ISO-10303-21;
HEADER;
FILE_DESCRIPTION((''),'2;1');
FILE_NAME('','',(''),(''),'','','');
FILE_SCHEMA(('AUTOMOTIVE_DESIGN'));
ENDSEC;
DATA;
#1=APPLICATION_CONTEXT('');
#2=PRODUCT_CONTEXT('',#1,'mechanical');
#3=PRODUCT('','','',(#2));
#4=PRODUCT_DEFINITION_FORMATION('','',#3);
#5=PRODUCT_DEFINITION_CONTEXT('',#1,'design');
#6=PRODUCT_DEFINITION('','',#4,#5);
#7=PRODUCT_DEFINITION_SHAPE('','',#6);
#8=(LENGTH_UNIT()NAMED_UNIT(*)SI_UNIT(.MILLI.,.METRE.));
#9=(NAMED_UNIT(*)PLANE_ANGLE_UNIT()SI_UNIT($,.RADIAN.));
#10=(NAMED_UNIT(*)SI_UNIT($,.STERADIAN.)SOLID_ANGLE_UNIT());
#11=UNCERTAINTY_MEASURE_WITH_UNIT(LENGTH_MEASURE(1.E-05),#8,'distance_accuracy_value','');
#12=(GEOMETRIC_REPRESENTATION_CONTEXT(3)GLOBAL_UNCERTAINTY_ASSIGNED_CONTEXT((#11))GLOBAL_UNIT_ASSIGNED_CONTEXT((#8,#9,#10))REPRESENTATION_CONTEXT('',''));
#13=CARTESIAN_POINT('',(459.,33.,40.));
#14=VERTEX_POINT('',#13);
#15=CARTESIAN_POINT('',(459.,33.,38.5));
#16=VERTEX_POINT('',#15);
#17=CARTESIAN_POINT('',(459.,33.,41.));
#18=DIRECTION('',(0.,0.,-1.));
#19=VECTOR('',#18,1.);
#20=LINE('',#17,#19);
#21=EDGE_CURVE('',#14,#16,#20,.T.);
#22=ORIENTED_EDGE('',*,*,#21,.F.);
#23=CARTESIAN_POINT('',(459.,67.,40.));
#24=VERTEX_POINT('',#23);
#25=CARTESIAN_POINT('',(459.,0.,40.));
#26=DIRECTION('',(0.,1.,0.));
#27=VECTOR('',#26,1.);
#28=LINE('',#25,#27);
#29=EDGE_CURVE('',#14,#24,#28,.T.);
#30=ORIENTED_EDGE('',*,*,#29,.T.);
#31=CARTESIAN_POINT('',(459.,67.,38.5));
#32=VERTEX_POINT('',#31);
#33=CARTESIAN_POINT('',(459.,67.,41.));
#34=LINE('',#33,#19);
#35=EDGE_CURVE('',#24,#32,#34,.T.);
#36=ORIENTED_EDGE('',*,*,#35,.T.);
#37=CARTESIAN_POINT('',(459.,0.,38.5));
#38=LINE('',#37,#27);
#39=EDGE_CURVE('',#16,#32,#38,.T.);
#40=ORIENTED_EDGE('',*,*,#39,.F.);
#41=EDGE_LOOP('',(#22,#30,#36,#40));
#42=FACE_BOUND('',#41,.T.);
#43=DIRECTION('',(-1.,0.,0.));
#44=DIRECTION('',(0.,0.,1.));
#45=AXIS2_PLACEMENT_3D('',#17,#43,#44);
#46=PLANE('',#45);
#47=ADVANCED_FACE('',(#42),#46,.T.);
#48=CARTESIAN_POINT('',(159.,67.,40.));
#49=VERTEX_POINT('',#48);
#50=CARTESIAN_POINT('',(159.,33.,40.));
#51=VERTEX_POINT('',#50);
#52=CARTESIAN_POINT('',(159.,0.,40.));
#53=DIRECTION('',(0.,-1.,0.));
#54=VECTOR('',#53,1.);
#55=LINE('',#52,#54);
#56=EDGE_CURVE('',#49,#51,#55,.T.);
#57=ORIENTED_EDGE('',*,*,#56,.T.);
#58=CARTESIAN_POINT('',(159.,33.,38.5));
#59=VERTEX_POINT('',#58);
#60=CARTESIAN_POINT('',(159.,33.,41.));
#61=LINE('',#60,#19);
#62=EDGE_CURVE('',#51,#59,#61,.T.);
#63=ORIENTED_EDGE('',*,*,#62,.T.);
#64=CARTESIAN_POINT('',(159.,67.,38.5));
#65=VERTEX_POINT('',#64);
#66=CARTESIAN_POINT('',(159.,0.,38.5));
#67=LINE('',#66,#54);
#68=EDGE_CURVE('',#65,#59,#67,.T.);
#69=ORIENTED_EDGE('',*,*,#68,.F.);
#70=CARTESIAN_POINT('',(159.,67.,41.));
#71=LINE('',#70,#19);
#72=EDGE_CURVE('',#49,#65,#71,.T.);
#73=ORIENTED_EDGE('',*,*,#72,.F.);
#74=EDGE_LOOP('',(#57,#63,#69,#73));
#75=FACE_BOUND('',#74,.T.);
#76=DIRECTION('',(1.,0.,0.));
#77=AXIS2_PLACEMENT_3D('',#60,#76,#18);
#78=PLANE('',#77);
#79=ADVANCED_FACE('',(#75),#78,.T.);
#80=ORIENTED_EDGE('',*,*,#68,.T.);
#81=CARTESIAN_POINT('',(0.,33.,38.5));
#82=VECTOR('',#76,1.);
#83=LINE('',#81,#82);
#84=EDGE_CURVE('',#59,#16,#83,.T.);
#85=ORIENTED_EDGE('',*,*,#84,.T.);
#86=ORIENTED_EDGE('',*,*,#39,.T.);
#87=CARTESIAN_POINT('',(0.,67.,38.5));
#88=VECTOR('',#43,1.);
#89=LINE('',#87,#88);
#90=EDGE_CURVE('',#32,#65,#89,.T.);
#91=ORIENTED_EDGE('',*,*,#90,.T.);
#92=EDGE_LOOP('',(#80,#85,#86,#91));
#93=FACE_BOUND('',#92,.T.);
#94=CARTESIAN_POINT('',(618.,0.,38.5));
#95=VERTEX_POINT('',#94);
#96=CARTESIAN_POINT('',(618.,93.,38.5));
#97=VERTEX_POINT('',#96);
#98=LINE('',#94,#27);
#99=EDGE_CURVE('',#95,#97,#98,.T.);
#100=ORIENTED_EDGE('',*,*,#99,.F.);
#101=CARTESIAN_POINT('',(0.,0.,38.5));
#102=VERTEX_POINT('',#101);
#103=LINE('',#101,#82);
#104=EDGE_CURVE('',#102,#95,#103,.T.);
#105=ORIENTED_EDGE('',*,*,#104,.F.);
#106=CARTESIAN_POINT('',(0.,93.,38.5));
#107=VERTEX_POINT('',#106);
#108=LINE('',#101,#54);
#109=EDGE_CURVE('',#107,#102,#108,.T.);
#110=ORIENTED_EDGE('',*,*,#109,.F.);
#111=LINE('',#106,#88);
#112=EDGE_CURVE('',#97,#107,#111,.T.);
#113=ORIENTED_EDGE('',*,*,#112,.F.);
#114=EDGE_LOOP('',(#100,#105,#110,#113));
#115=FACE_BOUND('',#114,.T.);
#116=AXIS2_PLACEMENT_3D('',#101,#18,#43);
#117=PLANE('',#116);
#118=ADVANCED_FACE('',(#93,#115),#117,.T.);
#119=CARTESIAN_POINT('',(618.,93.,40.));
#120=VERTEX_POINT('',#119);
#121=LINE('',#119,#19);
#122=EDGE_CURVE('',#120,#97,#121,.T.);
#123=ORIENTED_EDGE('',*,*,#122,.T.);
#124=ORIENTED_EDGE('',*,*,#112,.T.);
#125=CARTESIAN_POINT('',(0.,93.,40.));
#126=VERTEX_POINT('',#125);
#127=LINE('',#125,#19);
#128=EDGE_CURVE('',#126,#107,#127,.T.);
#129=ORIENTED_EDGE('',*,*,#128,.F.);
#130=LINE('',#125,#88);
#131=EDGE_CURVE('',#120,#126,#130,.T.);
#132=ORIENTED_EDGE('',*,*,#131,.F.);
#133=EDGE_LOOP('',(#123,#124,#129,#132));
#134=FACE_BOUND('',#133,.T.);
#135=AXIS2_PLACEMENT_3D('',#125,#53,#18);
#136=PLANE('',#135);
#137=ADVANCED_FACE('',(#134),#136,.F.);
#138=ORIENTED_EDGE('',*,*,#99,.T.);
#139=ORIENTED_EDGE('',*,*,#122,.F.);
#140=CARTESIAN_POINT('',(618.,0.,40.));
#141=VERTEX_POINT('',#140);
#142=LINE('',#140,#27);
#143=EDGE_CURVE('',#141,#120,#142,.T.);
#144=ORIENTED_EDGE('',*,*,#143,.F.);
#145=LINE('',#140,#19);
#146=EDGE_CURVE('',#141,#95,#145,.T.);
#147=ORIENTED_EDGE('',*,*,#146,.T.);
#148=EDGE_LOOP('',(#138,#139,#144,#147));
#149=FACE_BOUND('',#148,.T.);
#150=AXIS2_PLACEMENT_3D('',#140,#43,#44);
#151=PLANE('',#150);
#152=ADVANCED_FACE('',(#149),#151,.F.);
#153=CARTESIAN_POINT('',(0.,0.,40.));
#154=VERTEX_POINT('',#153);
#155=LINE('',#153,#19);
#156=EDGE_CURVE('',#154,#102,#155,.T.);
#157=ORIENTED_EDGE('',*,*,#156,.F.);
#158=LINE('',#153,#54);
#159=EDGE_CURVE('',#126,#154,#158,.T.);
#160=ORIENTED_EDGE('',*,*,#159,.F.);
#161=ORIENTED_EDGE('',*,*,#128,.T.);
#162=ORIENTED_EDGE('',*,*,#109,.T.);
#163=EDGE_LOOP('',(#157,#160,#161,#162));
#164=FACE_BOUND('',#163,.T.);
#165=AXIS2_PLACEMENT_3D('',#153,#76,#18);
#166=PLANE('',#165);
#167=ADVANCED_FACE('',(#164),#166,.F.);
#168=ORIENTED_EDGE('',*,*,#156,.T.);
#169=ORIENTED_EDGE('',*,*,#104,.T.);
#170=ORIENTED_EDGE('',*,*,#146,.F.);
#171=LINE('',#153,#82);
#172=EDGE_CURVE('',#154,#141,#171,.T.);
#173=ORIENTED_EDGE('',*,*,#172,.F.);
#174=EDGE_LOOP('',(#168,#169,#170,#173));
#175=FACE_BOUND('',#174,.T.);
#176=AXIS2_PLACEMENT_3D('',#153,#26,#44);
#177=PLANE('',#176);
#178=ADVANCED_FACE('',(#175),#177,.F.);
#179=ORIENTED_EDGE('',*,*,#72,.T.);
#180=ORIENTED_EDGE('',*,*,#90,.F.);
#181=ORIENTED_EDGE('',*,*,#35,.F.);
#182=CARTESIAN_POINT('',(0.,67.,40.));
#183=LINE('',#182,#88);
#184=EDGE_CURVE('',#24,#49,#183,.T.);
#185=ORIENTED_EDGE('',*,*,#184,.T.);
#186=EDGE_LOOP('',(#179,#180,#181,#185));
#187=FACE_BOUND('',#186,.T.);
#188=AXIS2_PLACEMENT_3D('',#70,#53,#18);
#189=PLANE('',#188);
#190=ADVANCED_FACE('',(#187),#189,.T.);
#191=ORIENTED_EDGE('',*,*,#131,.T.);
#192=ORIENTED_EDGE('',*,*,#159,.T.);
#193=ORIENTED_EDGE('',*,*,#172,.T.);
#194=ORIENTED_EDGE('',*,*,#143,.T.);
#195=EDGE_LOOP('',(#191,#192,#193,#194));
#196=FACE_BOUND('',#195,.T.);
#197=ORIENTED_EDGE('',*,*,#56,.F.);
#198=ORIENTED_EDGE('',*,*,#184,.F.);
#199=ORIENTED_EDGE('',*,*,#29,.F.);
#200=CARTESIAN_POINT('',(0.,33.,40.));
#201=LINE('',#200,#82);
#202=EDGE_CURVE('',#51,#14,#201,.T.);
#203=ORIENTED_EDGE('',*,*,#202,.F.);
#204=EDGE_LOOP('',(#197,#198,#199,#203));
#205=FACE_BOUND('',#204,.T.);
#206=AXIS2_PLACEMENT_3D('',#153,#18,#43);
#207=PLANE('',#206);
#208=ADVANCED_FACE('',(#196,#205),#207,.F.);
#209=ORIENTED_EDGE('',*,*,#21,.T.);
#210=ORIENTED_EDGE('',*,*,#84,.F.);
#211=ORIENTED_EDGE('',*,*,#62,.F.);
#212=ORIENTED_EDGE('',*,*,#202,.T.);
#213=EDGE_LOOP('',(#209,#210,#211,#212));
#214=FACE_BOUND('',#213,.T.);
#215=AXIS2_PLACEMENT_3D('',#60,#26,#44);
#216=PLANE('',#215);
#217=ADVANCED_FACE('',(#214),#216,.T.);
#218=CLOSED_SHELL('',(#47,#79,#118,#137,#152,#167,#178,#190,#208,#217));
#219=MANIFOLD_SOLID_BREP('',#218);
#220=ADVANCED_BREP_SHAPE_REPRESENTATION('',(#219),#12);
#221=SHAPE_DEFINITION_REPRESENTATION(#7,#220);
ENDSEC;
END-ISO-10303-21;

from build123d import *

# Parameters (mm, degrees)
CEK_TAZE_ON_DIS_SAC_1_5_1_START = 38.5
SKETCH1_W                       = 618
SKETCH1_H                       = 93
CEK_TAZE_ON_DIS_SAC_1_5_1_DEPTH = 1.5
CEK_TAZE_ON_DIS_SAC_1_5_2_START = 27
SKETCH2_W                       = 300
SKETCH2_H                       = 34
CEK_TAZE_ON_DIS_SAC_1_5_2_DEPTH = 14


with BuildPart() as part:
    # Sketch1 → CEK_taze_on_dis_sac_1.5_1 (new body)
    with BuildSketch(Plane.XY.offset(CEK_TAZE_ON_DIS_SAC_1_5_1_START)):
        with Locations((309, 46.5)):
            Rectangle(SKETCH1_W, SKETCH1_H)
    extrude(amount=CEK_TAZE_ON_DIS_SAC_1_5_1_DEPTH)

    # Sketch2 → CEK_taze_on_dis_sac_1.5_2 (cut)
    with BuildSketch(Plane.XY.offset(CEK_TAZE_ON_DIS_SAC_1_5_2_START)):
        with Locations((309, 50)):
            Rectangle(SKETCH2_W, SKETCH2_H)
    extrude(amount=CEK_TAZE_ON_DIS_SAC_1_5_2_DEPTH, mode=Mode.SUBTRACT)


solid = part.part
